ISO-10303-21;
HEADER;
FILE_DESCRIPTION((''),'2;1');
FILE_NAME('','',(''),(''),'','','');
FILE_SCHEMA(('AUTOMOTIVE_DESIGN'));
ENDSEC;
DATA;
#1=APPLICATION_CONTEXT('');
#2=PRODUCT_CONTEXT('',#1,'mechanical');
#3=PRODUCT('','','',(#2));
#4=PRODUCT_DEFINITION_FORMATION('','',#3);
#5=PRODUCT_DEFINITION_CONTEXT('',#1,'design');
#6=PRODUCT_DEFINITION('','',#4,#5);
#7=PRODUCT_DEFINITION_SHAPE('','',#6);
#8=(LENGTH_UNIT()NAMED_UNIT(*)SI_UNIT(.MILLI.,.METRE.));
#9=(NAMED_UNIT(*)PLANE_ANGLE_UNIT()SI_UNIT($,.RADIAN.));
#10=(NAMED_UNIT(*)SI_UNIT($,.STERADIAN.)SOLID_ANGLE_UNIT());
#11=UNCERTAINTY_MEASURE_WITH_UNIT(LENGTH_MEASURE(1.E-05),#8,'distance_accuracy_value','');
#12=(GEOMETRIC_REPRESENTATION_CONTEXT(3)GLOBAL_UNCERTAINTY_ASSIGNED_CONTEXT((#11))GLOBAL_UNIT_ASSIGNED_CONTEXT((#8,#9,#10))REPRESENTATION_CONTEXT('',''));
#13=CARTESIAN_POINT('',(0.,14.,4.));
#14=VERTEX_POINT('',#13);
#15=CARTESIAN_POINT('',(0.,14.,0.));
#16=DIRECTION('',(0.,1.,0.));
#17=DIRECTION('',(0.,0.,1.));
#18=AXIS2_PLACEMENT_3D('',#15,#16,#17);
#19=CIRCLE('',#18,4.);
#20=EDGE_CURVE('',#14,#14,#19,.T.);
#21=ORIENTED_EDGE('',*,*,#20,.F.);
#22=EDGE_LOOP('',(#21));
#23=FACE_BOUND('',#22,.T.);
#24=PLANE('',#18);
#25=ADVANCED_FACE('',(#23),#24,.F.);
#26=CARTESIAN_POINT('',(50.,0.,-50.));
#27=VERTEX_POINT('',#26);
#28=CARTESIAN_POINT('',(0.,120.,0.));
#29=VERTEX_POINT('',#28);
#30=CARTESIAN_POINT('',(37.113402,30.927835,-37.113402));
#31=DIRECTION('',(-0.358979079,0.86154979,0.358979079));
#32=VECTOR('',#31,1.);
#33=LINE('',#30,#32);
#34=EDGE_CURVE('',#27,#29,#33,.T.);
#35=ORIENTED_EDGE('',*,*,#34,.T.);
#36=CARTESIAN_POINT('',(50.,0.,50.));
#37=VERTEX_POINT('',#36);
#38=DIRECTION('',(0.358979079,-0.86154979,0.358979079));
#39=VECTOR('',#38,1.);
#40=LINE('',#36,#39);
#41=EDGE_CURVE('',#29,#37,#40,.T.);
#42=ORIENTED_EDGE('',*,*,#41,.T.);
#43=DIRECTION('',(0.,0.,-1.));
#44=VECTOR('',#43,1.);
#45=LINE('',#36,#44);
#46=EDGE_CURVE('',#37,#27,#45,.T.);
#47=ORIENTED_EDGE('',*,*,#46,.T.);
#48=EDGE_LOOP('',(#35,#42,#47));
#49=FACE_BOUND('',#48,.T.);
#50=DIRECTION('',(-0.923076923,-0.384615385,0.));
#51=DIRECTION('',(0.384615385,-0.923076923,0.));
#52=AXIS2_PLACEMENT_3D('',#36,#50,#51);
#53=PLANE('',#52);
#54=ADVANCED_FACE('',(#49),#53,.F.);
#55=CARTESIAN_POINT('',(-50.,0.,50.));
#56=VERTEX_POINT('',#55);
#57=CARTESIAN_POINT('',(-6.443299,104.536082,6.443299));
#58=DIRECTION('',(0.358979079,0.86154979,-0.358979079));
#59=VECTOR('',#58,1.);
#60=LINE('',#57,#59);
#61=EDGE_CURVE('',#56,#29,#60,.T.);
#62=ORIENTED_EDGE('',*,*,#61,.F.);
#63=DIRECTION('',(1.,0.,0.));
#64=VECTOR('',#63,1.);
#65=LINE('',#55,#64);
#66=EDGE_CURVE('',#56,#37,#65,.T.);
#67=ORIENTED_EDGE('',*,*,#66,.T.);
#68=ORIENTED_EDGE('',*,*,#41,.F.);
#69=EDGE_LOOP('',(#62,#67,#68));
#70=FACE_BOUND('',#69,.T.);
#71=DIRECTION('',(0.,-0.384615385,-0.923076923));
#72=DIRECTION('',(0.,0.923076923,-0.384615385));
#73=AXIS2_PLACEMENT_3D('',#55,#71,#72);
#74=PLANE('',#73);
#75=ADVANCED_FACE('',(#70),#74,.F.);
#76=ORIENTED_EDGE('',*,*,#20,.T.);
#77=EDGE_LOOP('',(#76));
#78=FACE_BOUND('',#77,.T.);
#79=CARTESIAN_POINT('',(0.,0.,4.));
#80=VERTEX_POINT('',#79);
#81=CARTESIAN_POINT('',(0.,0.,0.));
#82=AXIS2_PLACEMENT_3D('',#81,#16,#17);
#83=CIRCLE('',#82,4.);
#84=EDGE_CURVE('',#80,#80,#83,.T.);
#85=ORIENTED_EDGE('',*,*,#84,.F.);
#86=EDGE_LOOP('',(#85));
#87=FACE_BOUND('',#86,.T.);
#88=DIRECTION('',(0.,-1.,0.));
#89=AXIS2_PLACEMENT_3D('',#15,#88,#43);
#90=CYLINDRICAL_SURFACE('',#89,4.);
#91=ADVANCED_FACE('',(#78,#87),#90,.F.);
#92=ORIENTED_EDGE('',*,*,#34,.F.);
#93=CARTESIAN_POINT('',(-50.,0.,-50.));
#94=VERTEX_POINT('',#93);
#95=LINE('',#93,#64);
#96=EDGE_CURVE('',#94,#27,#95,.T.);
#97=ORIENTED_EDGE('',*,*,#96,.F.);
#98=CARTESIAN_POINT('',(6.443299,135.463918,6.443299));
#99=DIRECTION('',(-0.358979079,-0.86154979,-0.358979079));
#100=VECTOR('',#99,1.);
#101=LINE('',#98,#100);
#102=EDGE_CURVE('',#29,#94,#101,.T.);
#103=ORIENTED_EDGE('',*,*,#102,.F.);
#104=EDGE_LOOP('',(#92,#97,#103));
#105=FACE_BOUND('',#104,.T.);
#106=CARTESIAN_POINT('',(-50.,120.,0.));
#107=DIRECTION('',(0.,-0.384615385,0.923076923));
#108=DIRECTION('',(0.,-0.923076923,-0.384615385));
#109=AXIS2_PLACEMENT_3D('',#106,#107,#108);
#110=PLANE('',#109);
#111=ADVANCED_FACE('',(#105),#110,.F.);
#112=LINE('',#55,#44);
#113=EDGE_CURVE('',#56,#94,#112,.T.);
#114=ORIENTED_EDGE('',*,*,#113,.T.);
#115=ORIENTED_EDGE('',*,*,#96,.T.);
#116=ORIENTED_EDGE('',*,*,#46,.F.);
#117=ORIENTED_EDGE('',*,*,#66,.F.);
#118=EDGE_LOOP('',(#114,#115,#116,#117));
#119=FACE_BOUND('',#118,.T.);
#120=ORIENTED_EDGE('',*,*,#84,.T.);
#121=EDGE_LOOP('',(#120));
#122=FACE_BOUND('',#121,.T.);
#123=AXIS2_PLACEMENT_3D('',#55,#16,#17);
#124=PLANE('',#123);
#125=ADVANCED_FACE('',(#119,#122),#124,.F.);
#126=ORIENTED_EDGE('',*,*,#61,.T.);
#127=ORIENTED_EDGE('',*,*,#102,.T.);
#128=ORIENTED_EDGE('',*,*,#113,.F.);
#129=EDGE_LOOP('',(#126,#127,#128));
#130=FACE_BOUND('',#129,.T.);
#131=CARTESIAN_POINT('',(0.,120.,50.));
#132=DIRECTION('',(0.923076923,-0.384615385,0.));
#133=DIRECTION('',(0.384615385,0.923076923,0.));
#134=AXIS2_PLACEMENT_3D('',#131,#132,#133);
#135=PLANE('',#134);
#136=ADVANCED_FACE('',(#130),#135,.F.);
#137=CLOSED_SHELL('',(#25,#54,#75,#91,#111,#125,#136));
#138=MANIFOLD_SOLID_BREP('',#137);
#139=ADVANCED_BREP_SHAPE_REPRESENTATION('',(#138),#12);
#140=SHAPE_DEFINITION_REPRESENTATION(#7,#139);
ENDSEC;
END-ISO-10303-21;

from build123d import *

# Parameters (mm, degrees)
CUNA_DEPTH                        = 50
RECORTE_CARAS_PIRAMIDE_DEPTH      = 140.283882772
RECORTE_CARAS_PIRAMIDE_DEPTH_BACK = 140.283882772
CROQUIS_AGUJEROS_MONTAJE_R        = 4
AGUJERO_INSERTO_M6_DEPTH          = 14


with BuildPart() as part:
    # Croquis_triangulo_frontal → Cuna (new, symmetric)
    with BuildSketch(Plane.XY):
        Polygon((-50, 0), (50, 0), (0, 120), align=None)
    extrude(amount=CUNA_DEPTH, both=True)

    # Croquis_recorte_lateral → Recorte_caras_piramide (cut, two sides: drawn at the far end of the back side and taken through both)
    with BuildSketch(Plane(origin=(0, 0, 0), x_dir=(0, 0, -1), z_dir=(1, 0, 0)).offset(-RECORTE_CARAS_PIRAMIDE_DEPTH_BACK)):
        Polygon((-60, 0), (-50, 0), (0, 120), (50, 0), (60, 0), (60, 130), (-60, 130), align=None)
    extrude(amount=RECORTE_CARAS_PIRAMIDE_DEPTH + RECORTE_CARAS_PIRAMIDE_DEPTH_BACK, mode=Mode.SUBTRACT)

    # Croquis_agujeros_montaje → Agujero_inserto_M6 (cut)
    with BuildSketch(Plane(origin=(0, 0, 0), x_dir=(1, 0, 0), z_dir=(0, 1, 0))):
        with Locations(Location((0, 0, 0), (0, 0, 270))):
            Circle(CROQUIS_AGUJEROS_MONTAJE_R)
    extrude(amount=AGUJERO_INSERTO_M6_DEPTH, mode=Mode.SUBTRACT)


solid = part.part
